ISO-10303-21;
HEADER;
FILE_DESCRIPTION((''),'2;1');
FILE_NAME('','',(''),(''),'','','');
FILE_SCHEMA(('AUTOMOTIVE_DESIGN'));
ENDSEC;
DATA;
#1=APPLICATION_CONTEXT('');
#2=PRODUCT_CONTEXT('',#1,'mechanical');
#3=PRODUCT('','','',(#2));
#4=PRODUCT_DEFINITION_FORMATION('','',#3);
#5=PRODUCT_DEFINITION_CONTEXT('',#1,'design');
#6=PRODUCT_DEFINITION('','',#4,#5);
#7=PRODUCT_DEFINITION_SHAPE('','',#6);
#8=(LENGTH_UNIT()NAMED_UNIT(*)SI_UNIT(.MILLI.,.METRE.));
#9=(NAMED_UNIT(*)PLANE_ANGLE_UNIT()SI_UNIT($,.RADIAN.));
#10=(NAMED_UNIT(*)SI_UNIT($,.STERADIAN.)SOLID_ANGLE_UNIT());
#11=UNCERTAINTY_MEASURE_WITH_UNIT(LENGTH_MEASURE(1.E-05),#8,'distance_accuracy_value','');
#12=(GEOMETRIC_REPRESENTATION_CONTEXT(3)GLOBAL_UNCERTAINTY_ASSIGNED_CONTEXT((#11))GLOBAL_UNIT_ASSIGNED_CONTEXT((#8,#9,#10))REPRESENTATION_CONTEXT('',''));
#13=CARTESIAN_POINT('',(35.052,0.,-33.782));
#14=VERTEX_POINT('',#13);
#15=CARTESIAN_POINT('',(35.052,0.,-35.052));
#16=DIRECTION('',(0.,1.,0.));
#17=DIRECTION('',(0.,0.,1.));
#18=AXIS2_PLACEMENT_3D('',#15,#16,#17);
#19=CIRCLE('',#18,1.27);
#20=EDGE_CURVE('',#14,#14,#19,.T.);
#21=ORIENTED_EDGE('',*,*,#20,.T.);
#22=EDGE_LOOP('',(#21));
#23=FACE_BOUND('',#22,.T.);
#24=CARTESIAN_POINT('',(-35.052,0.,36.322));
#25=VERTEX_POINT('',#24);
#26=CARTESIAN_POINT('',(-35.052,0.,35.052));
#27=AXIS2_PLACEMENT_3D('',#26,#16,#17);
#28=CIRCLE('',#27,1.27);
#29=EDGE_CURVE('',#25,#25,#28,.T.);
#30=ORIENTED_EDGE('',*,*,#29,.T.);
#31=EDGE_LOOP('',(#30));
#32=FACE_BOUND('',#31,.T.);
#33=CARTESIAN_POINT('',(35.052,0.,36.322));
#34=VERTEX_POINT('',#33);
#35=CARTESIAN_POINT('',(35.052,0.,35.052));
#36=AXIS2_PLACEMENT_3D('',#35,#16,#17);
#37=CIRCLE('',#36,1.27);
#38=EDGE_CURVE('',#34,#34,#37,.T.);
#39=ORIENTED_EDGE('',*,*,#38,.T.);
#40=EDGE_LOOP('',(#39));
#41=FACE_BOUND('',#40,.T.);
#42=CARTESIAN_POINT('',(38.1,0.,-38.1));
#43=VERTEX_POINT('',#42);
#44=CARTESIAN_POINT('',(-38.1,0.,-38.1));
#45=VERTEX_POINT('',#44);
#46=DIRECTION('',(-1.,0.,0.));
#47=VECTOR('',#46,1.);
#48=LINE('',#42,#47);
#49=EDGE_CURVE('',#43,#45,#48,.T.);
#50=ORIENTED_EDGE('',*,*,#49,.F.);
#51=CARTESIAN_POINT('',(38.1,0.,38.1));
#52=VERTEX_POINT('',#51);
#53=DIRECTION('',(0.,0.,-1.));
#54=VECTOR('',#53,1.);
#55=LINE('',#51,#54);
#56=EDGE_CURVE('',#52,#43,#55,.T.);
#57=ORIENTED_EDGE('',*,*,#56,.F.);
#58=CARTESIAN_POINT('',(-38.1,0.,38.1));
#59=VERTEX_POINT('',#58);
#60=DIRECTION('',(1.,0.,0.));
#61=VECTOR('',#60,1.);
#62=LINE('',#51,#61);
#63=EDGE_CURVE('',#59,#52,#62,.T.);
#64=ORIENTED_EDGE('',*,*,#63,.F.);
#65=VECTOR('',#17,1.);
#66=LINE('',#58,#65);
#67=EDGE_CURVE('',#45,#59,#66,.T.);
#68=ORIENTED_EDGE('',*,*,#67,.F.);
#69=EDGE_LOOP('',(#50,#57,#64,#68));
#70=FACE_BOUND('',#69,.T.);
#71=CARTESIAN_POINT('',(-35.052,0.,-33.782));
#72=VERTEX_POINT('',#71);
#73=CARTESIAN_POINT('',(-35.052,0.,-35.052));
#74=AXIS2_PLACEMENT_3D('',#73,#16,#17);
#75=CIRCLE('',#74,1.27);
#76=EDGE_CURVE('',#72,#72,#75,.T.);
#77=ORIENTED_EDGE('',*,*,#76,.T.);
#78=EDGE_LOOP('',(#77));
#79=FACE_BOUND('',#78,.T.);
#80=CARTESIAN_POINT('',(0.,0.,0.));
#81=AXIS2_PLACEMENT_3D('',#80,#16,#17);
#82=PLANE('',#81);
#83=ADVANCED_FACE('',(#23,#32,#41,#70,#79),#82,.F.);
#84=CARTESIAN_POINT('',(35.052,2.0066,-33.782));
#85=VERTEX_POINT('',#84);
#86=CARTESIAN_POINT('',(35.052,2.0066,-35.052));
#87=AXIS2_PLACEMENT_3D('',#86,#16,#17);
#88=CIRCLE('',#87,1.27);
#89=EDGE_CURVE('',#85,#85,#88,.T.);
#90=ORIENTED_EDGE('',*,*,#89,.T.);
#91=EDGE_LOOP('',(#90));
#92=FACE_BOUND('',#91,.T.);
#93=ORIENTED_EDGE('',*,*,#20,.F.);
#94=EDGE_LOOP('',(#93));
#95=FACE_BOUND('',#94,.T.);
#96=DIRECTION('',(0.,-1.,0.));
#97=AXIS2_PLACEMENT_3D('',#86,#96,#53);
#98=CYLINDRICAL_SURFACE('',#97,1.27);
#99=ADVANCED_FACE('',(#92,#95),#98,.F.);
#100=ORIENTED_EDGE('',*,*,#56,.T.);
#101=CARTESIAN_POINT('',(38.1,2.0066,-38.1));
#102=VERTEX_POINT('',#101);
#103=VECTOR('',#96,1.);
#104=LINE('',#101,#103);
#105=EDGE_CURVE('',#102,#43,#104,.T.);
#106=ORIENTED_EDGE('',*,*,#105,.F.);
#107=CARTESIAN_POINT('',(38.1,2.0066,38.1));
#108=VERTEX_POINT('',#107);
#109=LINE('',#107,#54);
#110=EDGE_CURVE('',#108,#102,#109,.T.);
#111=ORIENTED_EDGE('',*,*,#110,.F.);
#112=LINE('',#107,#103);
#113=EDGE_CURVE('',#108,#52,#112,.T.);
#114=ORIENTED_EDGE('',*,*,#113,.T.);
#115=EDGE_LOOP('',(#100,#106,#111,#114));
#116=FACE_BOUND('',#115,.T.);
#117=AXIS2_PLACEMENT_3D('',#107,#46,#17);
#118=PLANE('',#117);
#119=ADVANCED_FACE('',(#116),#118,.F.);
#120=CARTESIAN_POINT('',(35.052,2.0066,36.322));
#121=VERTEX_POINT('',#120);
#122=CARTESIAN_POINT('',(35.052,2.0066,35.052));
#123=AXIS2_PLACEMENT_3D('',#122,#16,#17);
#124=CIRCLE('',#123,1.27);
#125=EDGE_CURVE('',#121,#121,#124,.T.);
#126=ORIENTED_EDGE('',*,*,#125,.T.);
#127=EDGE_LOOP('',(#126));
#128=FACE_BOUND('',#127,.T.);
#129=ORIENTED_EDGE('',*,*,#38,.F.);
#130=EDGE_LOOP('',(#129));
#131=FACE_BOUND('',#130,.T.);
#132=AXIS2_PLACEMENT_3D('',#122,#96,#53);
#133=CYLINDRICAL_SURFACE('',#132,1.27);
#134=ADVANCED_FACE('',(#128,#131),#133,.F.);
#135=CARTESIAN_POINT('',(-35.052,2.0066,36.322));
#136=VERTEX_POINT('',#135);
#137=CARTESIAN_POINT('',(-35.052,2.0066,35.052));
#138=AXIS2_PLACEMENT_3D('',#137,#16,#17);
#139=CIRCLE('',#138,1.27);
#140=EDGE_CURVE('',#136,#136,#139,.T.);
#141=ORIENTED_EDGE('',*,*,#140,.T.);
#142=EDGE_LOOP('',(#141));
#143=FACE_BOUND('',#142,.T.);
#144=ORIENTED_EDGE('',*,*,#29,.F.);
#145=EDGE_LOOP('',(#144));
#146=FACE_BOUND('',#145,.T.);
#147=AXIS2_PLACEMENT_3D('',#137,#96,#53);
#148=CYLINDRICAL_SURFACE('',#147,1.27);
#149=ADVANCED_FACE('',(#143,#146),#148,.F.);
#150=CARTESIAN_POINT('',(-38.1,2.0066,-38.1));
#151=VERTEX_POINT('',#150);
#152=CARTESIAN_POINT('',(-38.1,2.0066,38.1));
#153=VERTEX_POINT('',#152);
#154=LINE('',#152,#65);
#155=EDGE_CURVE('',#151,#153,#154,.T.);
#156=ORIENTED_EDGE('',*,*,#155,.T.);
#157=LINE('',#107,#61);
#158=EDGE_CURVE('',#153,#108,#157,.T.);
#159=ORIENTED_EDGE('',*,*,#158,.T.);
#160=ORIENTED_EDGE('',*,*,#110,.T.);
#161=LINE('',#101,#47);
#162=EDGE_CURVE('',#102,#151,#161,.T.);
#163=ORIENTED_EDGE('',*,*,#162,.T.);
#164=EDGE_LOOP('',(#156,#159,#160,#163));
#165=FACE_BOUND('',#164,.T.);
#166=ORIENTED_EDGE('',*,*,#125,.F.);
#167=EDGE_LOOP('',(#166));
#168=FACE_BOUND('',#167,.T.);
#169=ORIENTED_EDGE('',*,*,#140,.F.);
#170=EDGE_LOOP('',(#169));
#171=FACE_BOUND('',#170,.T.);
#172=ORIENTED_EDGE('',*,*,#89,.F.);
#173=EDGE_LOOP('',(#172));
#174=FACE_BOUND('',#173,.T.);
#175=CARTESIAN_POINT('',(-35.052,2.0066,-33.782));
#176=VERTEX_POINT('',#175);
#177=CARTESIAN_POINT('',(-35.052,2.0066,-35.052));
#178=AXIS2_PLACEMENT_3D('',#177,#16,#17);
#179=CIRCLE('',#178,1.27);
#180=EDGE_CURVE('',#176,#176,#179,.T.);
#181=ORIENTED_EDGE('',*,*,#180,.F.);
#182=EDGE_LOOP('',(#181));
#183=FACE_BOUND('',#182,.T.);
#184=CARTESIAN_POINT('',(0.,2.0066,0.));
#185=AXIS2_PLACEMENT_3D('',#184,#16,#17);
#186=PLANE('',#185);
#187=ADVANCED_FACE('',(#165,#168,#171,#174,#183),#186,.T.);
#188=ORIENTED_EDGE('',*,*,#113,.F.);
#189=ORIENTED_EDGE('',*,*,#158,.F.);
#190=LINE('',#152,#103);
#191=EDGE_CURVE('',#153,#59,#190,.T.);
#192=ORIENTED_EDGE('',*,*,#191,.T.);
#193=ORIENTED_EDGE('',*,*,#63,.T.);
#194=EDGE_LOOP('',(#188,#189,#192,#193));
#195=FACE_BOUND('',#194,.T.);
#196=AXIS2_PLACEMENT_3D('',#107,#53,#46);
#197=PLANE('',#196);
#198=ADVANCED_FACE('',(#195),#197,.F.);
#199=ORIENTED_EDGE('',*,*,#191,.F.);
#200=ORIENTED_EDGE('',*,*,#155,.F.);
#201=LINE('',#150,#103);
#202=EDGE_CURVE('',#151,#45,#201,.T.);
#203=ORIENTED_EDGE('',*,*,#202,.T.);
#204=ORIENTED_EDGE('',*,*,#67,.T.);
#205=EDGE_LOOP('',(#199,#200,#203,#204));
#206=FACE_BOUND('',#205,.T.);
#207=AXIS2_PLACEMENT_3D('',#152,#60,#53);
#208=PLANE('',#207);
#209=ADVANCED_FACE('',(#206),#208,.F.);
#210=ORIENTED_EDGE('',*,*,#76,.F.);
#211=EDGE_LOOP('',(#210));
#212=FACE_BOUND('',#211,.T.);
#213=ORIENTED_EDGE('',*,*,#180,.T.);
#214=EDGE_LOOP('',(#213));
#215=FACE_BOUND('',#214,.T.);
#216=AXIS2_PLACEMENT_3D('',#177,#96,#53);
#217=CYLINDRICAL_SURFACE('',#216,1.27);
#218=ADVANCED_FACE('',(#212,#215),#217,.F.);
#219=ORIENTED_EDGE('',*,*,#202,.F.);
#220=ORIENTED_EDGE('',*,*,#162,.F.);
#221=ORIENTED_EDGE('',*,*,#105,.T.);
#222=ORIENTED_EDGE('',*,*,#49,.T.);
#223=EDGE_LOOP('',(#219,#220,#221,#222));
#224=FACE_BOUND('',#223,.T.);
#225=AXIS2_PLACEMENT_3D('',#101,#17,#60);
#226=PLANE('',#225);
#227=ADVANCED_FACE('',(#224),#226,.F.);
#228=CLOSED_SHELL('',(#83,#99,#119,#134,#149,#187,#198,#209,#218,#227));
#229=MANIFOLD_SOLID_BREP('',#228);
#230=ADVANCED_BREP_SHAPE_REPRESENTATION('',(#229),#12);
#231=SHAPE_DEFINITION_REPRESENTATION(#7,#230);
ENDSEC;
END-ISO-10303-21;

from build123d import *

# Parameters (mm, degrees)
SKETCH1_W           = 76.2
SKETCH1_H           = 76.2
SKETCH1_R           = 1.27
BOSS_EXTRUDE1_DEPTH = 2.0066


with BuildPart() as part:
    # Sketch1 → Boss-Extrude1 (new body)
    with BuildSketch(Plane(origin=(0, 0, 0), x_dir=(1, 0, 0), z_dir=(0, 1, 0))):
        Rectangle(SKETCH1_W, SKETCH1_H)
        with Locations((-35.052, 35.052)):
            Circle(SKETCH1_R, mode=Mode.SUBTRACT)
        with Locations((35.052, 35.052)):
            Circle(SKETCH1_R, mode=Mode.SUBTRACT)
        with Locations((-35.052, -35.052)):
            Circle(SKETCH1_R, mode=Mode.SUBTRACT)
        with Locations((35.052, -35.052)):
            Circle(SKETCH1_R, mode=Mode.SUBTRACT)
    extrude(amount=BOSS_EXTRUDE1_DEPTH)


solid = part.part
